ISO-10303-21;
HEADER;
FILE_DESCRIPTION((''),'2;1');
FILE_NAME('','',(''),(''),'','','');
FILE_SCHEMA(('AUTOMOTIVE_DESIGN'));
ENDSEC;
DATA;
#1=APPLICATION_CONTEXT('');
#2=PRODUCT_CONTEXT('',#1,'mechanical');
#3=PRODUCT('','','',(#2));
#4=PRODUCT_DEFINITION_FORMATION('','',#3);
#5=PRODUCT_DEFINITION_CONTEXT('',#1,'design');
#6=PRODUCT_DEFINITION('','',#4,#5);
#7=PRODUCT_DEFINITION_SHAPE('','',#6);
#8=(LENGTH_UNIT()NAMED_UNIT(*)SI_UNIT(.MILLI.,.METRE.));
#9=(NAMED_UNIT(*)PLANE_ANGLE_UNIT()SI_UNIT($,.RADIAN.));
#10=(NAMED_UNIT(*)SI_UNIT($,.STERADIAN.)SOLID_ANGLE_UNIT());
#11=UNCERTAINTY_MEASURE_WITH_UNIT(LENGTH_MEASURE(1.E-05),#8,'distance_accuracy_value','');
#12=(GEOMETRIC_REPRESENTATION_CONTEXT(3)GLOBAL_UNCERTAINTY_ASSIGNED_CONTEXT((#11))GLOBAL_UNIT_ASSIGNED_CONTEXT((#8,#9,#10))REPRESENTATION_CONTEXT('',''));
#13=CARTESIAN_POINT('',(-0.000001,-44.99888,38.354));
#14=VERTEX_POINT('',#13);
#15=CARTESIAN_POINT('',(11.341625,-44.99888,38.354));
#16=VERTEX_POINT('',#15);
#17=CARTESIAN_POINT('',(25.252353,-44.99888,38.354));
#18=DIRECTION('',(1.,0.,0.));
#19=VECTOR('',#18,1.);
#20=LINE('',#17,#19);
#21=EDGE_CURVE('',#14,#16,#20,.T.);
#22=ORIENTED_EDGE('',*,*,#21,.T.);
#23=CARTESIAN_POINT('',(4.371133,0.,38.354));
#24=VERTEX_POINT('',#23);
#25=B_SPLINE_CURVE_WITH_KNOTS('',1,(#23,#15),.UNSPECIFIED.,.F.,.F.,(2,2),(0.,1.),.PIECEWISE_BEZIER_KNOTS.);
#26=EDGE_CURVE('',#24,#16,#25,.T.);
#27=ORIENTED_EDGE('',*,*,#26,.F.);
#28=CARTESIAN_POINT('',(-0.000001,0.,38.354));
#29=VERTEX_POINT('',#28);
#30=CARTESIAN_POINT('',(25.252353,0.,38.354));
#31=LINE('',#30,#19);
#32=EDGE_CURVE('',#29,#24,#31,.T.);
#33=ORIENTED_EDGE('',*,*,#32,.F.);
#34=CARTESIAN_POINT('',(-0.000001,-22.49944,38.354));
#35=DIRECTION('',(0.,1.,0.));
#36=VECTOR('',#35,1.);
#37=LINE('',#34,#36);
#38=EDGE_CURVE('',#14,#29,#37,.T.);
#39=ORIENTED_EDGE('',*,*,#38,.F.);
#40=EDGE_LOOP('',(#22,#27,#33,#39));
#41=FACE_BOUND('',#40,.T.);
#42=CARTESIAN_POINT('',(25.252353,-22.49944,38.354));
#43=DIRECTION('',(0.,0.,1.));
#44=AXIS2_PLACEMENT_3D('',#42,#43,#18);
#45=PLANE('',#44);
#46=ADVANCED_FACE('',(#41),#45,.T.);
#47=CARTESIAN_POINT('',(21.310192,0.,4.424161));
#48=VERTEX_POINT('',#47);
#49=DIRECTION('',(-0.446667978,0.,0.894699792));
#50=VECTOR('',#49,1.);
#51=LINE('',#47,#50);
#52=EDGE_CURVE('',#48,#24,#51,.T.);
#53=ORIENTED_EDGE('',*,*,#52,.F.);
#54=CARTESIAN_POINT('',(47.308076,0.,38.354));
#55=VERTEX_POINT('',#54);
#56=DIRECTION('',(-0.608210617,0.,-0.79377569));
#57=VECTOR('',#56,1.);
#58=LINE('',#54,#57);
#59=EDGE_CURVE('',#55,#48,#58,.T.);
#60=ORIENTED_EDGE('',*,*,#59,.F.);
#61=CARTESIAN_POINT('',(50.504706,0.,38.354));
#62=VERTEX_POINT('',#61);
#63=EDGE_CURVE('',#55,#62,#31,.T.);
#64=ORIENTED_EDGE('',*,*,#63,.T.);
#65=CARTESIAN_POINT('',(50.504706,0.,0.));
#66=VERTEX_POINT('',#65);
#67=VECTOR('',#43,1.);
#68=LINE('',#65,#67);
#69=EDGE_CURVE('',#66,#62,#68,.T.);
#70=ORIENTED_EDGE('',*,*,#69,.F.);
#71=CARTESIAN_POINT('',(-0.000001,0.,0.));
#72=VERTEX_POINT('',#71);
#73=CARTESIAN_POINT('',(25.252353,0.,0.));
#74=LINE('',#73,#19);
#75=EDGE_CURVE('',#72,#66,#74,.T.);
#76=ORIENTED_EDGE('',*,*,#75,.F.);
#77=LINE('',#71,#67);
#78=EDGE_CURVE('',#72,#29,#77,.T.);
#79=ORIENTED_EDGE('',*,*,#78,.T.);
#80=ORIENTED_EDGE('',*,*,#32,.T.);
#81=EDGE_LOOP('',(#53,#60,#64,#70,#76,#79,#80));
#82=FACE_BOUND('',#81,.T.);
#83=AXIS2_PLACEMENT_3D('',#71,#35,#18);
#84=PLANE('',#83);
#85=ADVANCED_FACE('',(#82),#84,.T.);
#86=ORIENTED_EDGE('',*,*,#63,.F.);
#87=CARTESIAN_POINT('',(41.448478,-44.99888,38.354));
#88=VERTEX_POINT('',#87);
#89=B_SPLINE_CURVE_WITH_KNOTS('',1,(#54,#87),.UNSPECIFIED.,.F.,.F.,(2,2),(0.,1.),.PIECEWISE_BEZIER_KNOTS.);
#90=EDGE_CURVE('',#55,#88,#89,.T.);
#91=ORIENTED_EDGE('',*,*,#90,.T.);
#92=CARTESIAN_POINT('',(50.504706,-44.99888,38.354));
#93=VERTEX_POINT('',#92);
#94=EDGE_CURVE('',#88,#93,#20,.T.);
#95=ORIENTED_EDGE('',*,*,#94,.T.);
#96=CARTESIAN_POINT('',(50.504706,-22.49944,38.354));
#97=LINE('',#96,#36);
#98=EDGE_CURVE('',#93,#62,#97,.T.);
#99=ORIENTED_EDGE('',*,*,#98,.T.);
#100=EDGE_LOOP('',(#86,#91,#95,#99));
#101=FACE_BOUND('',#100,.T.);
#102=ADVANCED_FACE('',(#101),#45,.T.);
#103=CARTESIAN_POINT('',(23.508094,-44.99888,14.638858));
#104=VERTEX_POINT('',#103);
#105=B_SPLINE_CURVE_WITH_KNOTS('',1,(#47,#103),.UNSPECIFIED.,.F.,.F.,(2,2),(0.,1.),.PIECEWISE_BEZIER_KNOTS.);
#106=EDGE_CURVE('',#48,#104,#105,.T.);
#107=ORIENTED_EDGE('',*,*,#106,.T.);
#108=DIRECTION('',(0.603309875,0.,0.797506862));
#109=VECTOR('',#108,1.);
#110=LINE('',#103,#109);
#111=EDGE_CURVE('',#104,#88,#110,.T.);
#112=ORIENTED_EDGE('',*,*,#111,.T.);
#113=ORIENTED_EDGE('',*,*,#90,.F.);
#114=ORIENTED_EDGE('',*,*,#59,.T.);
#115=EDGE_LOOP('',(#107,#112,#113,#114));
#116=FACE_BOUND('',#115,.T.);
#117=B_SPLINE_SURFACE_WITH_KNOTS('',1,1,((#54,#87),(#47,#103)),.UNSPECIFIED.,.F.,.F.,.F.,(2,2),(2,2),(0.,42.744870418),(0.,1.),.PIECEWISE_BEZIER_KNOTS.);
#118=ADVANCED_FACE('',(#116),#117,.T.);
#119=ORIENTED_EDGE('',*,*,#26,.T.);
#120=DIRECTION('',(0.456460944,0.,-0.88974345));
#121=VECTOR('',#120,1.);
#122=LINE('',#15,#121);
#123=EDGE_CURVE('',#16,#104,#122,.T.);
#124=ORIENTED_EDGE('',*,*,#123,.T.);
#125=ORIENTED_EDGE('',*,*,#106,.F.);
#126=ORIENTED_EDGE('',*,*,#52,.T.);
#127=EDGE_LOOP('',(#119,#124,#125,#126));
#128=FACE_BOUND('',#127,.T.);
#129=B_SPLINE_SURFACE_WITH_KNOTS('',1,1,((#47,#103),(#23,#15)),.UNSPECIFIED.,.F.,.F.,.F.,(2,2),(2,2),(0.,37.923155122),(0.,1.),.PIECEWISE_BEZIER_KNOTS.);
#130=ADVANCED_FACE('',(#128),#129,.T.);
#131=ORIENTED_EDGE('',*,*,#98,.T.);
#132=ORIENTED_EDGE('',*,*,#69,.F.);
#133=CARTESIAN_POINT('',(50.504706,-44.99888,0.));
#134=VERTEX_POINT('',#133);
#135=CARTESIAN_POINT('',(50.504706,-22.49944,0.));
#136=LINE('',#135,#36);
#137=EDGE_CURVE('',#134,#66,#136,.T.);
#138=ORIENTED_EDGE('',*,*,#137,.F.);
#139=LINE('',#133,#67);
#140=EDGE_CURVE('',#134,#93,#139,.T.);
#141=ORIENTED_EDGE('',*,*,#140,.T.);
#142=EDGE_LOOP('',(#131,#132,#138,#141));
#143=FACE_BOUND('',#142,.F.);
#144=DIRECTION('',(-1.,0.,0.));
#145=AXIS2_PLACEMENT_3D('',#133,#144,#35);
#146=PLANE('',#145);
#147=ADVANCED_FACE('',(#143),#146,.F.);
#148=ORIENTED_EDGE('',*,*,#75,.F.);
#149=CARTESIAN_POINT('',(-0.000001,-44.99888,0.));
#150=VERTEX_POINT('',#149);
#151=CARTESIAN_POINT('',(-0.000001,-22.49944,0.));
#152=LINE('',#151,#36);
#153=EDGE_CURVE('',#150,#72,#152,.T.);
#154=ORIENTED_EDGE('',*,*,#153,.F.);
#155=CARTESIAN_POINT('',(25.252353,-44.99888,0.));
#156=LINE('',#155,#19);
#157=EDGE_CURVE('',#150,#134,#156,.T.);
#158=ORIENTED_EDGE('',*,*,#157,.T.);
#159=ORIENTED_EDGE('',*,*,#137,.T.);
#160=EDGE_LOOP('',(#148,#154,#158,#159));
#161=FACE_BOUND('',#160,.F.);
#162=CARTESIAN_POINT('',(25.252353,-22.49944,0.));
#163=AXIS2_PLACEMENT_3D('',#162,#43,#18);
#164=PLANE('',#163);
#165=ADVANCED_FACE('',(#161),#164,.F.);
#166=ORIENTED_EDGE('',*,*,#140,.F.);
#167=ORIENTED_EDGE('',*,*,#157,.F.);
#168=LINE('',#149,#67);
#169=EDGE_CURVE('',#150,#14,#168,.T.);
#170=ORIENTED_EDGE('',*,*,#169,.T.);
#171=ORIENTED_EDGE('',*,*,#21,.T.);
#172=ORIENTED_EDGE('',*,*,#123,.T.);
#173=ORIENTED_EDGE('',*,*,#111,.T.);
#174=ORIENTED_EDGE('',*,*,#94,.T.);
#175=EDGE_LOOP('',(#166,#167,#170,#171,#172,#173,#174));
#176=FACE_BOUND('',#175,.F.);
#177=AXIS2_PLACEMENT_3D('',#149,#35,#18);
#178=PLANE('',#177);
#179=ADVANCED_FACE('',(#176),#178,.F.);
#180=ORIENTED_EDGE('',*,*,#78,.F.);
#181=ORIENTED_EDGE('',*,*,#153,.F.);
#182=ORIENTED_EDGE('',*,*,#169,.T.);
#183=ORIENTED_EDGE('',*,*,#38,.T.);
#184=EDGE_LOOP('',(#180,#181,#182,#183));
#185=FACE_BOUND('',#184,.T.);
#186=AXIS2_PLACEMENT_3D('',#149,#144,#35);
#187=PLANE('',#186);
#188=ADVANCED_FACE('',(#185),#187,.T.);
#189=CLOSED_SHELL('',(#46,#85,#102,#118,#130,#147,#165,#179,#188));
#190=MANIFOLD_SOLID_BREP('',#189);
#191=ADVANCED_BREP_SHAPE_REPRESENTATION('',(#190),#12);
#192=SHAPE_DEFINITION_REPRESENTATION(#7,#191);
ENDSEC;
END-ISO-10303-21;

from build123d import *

# Parameters (mm, degrees)
F0_W     = 50.504707
F0_H     = 44.99888
F1_DEPTH = 38.354


with BuildPart() as f1:
    # F0 (on Top) → F1 (new body)
    with BuildSketch(Plane.XY):
        with Locations((25.252353, -22.49944)):
            Rectangle(F0_W, F0_H)
    extrude(amount=F1_DEPTH)

    # F3 (on face) → F4 section 0
    with BuildSketch(Plane(origin=(0, 0, 0), x_dir=(-1, 0, 0), z_dir=(0, 1, 0))):
        Polygon((-4.371133, 38.354), (-47.308076, 38.354), (-21.310192, 4.424161), align=None)
    # F2 (on face) → F4 section 1
    with BuildSketch(Plane.XZ.offset(44.99888)):
        Polygon((41.448478, 38.354), (11.341625, 38.354), (23.508094, 14.638858), align=None)
    loft(mode=Mode.SUBTRACT)


solid = f1.part
